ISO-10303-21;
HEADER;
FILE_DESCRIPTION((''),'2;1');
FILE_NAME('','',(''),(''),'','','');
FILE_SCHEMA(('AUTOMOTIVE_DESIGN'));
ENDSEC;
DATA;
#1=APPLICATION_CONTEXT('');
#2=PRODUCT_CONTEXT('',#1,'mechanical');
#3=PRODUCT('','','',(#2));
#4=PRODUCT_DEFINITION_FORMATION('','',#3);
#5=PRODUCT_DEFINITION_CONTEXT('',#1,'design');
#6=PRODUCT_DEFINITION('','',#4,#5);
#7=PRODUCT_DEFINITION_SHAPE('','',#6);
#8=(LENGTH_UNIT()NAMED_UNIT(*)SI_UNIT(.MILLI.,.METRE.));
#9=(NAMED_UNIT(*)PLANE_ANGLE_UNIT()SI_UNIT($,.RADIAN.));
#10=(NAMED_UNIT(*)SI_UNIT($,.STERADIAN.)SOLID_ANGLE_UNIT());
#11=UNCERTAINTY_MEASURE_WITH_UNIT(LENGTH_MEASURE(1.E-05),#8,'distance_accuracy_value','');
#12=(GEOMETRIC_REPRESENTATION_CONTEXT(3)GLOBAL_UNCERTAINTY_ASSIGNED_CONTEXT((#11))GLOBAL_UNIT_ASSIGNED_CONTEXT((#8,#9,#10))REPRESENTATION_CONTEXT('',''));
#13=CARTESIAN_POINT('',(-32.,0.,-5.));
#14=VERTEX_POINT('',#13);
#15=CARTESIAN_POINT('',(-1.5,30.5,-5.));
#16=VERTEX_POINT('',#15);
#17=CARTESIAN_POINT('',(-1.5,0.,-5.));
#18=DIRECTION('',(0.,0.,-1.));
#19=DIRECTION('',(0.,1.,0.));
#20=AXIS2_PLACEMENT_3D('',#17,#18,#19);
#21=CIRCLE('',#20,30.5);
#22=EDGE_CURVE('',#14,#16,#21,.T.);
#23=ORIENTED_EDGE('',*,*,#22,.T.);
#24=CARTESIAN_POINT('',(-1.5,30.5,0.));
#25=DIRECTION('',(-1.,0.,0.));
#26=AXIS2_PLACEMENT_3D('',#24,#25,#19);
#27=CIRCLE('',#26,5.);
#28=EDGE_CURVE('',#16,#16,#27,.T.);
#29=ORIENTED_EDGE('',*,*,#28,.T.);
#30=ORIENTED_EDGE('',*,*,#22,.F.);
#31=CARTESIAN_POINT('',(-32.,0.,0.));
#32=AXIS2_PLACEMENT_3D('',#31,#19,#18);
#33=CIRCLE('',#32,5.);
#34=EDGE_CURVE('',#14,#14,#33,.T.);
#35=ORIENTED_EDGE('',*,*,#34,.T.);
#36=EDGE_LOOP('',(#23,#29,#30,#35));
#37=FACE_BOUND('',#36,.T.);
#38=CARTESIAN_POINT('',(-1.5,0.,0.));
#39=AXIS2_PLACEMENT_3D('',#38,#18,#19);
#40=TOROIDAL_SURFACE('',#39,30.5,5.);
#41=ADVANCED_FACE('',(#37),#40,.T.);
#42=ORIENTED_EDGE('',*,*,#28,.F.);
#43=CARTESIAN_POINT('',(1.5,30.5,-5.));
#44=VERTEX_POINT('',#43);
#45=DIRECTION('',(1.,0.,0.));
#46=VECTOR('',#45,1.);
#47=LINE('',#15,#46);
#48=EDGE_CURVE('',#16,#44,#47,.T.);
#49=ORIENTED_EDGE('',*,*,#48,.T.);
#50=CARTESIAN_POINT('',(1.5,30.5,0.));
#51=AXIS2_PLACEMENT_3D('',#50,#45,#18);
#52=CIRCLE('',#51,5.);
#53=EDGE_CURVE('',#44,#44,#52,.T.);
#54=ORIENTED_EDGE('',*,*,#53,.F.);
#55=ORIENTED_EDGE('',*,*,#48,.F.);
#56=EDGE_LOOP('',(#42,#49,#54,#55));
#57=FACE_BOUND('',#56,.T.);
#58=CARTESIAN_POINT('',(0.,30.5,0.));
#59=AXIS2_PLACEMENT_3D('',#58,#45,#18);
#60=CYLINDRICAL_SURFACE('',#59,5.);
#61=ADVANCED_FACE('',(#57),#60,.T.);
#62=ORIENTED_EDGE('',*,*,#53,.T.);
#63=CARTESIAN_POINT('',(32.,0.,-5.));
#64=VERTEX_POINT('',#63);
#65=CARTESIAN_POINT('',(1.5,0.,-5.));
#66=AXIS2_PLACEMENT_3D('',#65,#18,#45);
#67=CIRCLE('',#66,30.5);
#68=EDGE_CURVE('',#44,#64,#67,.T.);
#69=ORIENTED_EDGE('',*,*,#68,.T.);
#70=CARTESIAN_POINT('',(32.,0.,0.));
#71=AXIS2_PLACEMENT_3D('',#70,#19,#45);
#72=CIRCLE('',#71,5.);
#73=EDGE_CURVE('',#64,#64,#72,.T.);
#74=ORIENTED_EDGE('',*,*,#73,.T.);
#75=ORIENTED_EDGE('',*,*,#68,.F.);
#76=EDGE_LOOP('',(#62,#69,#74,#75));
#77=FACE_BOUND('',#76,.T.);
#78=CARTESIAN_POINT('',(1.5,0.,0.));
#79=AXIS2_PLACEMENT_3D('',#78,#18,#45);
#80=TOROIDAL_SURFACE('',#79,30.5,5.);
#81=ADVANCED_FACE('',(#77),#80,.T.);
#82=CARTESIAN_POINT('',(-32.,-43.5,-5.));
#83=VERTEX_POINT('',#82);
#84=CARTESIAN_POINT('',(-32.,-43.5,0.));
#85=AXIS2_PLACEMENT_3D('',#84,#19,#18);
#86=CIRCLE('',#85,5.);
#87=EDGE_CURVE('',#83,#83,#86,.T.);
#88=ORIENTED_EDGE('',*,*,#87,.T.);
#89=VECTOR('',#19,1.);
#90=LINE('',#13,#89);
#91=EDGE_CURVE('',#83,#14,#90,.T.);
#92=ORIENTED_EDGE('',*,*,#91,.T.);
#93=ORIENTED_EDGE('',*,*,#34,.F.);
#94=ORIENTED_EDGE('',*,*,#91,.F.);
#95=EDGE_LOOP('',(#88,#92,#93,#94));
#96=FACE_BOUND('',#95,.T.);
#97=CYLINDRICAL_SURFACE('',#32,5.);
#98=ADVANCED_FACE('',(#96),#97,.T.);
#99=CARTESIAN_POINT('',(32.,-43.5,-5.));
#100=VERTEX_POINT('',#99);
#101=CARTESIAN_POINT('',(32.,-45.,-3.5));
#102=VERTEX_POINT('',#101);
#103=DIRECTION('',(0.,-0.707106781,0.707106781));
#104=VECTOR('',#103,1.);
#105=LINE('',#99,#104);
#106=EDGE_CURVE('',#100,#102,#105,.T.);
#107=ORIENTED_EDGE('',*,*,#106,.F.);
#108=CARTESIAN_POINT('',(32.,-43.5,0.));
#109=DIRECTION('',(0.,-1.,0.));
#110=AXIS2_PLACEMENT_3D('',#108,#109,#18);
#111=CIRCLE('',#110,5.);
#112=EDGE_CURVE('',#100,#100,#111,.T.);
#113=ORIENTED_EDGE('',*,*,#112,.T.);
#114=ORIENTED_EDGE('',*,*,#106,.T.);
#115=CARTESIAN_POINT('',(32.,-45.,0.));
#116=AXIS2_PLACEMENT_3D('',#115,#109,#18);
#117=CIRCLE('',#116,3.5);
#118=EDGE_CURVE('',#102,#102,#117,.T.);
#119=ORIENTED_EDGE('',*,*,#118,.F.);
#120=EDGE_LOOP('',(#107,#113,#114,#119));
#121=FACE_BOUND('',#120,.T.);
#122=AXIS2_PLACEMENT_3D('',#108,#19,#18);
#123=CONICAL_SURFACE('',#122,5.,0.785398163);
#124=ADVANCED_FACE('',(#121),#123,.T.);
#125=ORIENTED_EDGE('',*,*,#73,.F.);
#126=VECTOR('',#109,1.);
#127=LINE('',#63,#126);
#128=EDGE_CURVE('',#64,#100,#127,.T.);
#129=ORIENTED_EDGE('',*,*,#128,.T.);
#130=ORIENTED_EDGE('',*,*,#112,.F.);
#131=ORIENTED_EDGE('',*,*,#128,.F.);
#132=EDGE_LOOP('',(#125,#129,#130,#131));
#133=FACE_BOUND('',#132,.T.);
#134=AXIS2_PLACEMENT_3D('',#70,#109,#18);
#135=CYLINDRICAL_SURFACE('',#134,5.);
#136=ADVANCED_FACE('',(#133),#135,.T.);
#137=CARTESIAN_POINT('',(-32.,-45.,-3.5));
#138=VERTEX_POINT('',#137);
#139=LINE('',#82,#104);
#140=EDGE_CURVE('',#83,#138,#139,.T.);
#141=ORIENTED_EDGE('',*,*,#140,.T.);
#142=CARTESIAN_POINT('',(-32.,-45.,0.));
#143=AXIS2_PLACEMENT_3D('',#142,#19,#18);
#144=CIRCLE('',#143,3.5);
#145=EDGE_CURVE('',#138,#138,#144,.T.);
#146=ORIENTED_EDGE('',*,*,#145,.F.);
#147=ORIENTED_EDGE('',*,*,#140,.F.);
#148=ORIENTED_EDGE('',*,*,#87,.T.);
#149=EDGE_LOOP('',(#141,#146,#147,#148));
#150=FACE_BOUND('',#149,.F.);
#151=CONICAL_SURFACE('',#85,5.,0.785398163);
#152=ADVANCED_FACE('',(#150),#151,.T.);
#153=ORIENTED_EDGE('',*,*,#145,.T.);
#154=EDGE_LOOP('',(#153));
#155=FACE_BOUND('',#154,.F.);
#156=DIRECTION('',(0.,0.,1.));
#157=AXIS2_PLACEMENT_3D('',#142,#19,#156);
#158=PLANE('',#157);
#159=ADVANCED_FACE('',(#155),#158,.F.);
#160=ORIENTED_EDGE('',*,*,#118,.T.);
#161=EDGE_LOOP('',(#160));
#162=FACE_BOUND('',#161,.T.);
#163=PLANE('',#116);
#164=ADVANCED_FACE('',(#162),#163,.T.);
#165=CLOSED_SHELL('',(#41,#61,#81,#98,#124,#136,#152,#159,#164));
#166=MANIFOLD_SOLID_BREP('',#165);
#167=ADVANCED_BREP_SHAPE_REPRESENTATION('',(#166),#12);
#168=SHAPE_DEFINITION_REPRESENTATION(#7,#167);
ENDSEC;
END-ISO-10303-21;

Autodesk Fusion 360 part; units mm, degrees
sketch "Sketch3" plane through (0, 0, 0) normal (0, 0, 1) x (1, 0, 0)
  line L0 (0, 0) -> (32, 0) construction
  line L1 (0, 0) -> (0, 48) construction
  line L2 (0, 0) -> (-32, 0) construction
  line L3 (32, 0) -> (32, -45)
  line L4 (-32, 0) -> (-32, -45)
  circle A0 centre (0, 0) radius 24.5 construction
  circle A1 centre (0, 0) radius 30.5 construction
  line L5 (0, 30.5) -> (-1.5, 30.5)
  line L6 (-32, 0) -> (-32, 0)
  arc A2 (-1.5, 30.5) -> (-32, 0) centre (-1.5, 0) ccw
  line L7 (32, 0) -> (32, 0)
  arc A3 (32, 0) -> (1.5, 30.5) centre (1.5, 0) ccw
  line L8 (0, 30.5) -> (1.5, 30.5)
  dimension "d22" = 32
  dimension "d23" = 45
  dimension "d24" = 45
  dimension "d25" = 49
  dimension "d26" = 6
  dimension "d27" = 30.5
sketch "Sketch4" plane through (0, 0, 0) normal (1, 0, 0) x (0, 0, -1)
  circle A0 centre (0, 30.5) radius 5
  point P0 (0, 30.5)
  dimension "d28" = 10
sweep "Sweep2" add profiles "Sketch4" path "Sketch3" along L3 A3 L8 L5 A2 L4 section 1
chamfer "Chamfer2" distance 1.5 angle 45 2 edges at (-33.8081, -45, 4.6616) (30.1919, -45, 4.6616)
thread "Thread3"
thread "Thread4"
equation "d22 = ( 64 / 2 ) * 1 mm"
